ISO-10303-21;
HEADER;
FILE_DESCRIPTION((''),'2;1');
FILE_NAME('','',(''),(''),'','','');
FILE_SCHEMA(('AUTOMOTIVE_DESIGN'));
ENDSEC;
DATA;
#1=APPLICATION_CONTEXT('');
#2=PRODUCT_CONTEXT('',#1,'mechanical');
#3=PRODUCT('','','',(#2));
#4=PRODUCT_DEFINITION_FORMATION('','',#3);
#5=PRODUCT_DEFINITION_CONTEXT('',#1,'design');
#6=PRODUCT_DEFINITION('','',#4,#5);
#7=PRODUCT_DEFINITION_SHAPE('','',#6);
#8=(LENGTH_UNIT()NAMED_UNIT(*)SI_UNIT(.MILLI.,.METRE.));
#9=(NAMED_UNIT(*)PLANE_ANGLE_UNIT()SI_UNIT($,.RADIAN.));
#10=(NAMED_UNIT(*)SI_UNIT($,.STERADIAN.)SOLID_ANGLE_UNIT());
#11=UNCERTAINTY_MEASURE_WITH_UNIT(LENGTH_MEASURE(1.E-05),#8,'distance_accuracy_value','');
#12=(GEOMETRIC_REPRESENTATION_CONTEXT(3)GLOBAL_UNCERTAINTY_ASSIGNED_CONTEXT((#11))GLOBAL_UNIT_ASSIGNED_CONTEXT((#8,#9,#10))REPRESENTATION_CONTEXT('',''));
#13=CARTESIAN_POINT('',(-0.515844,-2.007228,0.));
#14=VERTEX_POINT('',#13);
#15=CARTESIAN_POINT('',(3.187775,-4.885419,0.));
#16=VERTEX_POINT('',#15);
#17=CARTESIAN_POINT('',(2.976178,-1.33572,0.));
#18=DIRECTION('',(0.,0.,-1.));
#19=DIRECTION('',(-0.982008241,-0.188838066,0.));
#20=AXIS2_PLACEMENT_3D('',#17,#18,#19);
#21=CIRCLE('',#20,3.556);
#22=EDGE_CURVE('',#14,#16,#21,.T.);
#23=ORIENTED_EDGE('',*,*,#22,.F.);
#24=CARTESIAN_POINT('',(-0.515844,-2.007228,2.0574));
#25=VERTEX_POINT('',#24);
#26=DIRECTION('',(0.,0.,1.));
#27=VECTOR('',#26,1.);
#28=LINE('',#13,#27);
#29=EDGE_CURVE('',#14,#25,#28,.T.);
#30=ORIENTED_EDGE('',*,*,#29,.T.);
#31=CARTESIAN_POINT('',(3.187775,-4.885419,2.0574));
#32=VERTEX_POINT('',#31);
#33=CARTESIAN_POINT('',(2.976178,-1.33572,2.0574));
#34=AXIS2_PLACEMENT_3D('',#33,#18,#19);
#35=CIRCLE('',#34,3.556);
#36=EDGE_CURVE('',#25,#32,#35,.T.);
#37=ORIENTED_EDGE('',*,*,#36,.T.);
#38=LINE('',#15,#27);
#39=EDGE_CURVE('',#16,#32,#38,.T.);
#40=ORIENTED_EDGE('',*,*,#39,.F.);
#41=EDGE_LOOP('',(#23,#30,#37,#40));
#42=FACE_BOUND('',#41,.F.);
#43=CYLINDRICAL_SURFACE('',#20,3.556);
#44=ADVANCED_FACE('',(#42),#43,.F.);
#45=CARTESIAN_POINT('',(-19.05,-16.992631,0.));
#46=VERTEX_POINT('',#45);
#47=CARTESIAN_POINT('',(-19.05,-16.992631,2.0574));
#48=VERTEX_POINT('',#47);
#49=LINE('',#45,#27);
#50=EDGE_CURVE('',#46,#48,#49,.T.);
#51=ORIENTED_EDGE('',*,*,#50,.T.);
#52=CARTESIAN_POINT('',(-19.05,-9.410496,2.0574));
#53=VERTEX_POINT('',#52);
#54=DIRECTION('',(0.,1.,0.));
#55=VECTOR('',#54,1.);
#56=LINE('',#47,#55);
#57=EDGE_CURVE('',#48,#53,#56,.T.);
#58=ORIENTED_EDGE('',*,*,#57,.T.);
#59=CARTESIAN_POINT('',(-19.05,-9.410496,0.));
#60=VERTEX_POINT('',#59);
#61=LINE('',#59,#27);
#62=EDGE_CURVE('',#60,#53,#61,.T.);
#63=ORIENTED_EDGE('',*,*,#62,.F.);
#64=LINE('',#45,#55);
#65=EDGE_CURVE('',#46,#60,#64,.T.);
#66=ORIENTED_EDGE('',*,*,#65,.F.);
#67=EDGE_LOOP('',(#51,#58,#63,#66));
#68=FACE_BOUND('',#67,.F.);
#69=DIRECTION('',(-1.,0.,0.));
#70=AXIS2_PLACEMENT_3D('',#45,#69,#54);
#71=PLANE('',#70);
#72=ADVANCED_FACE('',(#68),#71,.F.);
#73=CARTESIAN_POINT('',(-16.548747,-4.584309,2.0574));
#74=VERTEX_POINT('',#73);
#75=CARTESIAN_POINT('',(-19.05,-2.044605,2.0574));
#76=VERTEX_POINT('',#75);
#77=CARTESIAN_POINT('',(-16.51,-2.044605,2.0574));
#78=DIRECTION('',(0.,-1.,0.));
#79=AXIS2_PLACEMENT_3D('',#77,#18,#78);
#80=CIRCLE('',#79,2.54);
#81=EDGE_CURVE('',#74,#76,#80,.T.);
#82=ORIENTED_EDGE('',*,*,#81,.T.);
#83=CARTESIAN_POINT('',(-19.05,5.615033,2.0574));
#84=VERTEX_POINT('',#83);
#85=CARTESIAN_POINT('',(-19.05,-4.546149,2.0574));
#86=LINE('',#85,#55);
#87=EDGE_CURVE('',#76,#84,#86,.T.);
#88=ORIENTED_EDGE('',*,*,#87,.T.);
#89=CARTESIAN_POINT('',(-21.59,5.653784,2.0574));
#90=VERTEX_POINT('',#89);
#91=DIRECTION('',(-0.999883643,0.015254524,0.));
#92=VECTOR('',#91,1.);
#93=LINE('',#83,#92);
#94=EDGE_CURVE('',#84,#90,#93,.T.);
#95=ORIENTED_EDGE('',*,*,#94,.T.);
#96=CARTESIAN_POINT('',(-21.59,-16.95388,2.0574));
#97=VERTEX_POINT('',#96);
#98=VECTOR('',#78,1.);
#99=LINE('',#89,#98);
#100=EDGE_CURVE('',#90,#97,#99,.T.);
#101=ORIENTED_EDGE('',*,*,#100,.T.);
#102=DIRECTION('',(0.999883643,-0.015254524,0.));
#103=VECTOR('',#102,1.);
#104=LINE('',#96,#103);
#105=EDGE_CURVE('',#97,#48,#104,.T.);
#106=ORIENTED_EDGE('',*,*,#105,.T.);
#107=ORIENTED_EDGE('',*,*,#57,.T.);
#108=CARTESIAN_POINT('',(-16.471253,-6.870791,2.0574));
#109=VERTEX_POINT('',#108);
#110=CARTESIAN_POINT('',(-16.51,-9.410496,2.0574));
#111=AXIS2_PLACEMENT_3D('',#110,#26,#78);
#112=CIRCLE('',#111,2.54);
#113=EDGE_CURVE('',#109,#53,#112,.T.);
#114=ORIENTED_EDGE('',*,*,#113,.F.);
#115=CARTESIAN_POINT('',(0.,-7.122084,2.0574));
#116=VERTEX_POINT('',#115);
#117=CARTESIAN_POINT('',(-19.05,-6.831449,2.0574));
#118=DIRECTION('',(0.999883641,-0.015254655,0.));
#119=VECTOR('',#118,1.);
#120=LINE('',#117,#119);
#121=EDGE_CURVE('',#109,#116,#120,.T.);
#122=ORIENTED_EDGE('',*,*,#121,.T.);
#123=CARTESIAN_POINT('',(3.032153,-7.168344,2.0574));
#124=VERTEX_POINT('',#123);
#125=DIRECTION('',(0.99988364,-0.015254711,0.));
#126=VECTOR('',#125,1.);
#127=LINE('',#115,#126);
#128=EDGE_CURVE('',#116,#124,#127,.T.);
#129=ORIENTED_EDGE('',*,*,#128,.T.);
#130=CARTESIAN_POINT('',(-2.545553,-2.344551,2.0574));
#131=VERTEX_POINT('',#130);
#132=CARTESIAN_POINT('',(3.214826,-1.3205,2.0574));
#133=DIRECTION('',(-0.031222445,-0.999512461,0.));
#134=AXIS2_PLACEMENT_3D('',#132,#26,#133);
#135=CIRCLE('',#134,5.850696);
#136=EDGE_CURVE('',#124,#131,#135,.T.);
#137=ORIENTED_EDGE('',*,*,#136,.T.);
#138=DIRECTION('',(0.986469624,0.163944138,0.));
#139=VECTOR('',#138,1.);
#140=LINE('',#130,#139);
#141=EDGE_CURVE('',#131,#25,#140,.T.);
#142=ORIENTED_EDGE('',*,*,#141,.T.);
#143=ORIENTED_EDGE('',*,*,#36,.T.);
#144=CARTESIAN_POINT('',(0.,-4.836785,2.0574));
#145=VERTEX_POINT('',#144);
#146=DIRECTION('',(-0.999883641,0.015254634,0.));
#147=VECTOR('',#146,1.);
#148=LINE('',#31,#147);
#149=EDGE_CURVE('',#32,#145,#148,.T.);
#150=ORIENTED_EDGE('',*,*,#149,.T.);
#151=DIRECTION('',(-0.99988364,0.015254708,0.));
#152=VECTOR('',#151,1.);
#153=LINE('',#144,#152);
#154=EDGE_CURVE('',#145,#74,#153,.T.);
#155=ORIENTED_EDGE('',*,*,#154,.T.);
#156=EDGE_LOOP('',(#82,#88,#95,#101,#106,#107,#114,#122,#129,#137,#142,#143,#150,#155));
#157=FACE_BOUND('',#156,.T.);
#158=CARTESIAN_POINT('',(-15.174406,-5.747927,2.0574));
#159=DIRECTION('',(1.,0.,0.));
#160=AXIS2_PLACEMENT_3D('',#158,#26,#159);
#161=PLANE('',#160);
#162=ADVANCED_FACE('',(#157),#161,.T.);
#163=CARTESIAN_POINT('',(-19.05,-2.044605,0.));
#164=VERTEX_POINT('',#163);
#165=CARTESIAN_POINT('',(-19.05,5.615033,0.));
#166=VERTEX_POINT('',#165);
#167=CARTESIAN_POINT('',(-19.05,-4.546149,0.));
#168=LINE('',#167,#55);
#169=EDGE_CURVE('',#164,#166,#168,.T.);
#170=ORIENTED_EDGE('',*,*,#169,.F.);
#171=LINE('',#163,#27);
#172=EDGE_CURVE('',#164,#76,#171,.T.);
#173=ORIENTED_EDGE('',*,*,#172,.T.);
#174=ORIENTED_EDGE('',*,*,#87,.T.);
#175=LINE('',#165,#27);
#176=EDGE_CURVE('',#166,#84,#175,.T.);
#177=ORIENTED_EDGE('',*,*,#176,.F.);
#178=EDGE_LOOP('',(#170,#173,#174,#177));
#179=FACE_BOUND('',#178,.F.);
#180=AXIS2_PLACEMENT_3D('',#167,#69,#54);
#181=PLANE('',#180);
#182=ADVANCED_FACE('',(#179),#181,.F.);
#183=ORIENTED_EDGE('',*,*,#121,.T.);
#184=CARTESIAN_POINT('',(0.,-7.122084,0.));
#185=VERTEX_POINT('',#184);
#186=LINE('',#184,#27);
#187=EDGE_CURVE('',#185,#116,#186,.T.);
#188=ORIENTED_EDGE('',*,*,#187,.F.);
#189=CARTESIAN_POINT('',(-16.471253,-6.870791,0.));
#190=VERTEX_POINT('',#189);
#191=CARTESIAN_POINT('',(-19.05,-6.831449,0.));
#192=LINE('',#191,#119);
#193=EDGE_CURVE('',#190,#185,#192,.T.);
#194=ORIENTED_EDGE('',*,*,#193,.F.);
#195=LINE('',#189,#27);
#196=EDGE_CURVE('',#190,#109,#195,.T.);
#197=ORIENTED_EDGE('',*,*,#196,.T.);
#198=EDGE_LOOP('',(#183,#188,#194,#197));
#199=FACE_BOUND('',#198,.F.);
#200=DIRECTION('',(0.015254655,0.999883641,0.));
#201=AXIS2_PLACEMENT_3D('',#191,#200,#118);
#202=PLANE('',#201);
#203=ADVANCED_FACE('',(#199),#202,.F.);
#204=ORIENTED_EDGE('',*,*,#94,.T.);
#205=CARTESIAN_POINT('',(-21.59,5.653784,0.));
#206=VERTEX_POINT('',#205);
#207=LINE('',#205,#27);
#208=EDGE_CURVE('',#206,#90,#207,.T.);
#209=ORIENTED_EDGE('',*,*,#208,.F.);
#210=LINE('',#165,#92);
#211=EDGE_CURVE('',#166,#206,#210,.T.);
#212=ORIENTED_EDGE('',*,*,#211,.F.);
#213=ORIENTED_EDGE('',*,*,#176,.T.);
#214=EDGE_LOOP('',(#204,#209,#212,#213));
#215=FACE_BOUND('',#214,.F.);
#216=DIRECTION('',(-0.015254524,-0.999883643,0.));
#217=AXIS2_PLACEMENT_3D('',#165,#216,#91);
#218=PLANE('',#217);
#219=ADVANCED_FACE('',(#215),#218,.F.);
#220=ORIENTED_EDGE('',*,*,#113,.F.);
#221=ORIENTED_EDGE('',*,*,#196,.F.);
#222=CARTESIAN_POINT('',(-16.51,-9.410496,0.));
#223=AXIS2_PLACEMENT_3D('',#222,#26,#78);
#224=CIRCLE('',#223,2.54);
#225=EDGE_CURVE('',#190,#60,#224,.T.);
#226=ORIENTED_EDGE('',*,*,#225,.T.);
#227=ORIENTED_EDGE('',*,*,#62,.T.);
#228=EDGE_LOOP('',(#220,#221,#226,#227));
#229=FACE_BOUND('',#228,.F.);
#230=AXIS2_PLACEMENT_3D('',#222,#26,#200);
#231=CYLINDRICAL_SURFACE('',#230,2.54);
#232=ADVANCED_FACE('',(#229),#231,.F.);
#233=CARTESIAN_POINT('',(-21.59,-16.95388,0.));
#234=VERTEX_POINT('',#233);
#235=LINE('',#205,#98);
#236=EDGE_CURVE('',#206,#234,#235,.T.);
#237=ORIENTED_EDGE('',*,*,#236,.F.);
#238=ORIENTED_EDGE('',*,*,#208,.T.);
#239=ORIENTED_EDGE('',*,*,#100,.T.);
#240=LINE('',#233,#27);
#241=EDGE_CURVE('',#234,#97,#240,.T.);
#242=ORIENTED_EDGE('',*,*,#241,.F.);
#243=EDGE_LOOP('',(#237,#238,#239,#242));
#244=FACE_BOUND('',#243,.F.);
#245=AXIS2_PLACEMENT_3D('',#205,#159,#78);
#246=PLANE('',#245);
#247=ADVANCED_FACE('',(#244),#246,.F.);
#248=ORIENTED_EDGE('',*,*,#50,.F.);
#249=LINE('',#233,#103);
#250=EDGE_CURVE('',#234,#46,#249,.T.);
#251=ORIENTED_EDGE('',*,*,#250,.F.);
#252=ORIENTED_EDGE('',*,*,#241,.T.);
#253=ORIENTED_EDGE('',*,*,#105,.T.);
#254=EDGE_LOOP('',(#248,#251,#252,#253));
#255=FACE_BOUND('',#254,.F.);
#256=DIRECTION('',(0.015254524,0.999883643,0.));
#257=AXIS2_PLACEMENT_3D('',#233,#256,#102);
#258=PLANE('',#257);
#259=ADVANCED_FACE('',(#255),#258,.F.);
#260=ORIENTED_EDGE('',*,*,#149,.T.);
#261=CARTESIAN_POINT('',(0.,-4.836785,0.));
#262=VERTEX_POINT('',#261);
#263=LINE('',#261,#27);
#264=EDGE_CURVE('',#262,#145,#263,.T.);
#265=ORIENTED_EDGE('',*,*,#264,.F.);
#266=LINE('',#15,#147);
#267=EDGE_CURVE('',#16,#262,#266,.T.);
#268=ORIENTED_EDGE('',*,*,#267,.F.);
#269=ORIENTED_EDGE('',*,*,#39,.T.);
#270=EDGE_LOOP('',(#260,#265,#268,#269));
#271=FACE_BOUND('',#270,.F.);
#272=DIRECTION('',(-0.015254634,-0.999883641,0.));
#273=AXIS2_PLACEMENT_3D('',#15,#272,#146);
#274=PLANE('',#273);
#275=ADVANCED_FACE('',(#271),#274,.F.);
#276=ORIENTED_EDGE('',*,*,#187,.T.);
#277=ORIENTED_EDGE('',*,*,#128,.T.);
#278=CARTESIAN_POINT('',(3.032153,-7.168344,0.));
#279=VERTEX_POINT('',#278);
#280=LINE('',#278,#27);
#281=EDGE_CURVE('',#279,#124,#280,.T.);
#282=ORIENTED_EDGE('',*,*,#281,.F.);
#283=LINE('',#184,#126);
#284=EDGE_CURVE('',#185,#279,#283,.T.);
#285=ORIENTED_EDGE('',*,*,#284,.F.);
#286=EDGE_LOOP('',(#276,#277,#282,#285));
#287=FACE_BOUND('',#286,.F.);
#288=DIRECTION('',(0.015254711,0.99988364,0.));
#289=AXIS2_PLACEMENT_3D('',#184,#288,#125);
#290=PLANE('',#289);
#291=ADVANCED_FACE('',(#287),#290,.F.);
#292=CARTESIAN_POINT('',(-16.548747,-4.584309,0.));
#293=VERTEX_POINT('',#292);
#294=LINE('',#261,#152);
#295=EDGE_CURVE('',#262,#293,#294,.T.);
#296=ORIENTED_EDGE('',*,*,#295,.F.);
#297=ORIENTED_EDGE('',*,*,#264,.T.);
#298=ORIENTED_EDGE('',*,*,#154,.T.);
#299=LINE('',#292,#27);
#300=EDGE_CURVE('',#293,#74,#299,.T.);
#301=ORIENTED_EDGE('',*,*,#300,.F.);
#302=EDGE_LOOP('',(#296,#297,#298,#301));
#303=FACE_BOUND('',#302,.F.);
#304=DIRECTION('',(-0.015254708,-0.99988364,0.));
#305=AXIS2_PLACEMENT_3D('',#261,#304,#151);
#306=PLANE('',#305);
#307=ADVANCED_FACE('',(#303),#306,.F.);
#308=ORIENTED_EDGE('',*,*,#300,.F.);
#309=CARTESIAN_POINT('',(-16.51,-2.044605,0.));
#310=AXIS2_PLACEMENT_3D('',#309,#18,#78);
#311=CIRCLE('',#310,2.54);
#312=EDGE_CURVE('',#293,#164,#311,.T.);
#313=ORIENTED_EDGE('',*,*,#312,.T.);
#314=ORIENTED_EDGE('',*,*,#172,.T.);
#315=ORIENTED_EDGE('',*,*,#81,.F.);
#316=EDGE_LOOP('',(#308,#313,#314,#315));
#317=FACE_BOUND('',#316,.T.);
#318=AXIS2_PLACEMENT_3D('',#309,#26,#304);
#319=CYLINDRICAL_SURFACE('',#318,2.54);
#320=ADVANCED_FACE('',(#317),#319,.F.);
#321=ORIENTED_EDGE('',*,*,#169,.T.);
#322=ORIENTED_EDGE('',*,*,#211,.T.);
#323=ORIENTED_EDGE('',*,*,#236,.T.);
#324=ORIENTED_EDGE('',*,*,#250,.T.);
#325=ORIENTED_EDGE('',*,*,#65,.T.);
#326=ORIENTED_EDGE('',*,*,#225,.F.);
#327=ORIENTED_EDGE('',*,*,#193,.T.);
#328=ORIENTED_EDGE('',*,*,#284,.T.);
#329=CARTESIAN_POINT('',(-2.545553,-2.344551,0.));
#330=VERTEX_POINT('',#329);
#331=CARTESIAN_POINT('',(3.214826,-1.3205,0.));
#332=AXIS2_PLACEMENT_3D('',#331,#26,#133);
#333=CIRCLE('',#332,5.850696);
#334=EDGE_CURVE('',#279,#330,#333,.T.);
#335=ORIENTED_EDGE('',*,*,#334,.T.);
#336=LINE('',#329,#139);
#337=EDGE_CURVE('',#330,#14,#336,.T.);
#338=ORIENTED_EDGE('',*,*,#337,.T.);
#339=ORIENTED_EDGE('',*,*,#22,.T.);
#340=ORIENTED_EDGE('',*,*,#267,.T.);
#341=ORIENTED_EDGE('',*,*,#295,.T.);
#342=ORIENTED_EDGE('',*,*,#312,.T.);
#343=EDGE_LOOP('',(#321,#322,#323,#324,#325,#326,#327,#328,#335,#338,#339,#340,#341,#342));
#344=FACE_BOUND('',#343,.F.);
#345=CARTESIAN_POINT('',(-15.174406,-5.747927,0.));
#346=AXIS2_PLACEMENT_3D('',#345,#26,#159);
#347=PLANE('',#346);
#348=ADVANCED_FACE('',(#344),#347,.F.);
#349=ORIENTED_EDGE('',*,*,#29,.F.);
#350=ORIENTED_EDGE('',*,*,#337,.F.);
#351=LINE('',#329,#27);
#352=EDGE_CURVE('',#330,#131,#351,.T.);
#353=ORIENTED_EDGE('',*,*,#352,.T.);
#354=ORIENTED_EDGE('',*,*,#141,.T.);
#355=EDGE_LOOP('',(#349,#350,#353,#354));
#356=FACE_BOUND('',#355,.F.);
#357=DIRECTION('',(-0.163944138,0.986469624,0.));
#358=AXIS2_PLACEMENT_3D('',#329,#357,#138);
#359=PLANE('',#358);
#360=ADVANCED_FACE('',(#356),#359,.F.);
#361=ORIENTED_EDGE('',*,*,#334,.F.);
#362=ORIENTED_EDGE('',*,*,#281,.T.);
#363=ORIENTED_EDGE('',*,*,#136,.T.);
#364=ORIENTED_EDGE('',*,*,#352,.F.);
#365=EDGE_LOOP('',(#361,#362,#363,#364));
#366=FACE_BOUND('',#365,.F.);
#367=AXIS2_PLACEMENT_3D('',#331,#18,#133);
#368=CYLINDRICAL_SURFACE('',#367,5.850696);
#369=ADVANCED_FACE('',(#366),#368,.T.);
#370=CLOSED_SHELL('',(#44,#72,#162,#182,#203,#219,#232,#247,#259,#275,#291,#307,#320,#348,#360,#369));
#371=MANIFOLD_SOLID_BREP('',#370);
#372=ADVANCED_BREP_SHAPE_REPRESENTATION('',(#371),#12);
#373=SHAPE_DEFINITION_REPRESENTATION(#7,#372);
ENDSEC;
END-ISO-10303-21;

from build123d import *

# Parameters (mm, degrees)
F1_DEPTH = 2.0574
F2_R     = 2.54


with BuildPart() as f1:
    # F0 (on Top) → F1 (new body)
    with BuildSketch(Plane.XY):
        Polygon((-19.05, -6.831449), (0, -7.122084), (0, -4.836785), (-19.05, -4.546149), (-19.05, 5.615033), (-21.59, 5.653784), (-21.59, -16.95388), (-19.05, -16.992631), align=None)
        with BuildLine():
            Line((0, -7.122084), (3.032153, -7.168344))
            ThreePointArc((3.032153, -7.168344), (7.041994, 3.104817), (-2.545553, -2.344551))
            Line((-2.545553, -2.344551), (-0.515844, -2.007228))
            ThreePointArc((-0.515844, -2.007228), (5.158216, 1.472099), (3.187775, -4.885419))
            Line((3.187775, -4.885419), (0, -4.836785))
            Line((0, -4.836785), (0, -7.122084))
        make_face()
    extrude(amount=F1_DEPTH)

    # F2
    f2_edges = [f1.edges().sort_by_distance(p)[0] for p in [
        (-19.05, -6.831449, 1.0287),
        (-19.05, -4.546149, 1.0287),
    ]]
    fillet(f2_edges, radius=F2_R)


solid = f1.part
